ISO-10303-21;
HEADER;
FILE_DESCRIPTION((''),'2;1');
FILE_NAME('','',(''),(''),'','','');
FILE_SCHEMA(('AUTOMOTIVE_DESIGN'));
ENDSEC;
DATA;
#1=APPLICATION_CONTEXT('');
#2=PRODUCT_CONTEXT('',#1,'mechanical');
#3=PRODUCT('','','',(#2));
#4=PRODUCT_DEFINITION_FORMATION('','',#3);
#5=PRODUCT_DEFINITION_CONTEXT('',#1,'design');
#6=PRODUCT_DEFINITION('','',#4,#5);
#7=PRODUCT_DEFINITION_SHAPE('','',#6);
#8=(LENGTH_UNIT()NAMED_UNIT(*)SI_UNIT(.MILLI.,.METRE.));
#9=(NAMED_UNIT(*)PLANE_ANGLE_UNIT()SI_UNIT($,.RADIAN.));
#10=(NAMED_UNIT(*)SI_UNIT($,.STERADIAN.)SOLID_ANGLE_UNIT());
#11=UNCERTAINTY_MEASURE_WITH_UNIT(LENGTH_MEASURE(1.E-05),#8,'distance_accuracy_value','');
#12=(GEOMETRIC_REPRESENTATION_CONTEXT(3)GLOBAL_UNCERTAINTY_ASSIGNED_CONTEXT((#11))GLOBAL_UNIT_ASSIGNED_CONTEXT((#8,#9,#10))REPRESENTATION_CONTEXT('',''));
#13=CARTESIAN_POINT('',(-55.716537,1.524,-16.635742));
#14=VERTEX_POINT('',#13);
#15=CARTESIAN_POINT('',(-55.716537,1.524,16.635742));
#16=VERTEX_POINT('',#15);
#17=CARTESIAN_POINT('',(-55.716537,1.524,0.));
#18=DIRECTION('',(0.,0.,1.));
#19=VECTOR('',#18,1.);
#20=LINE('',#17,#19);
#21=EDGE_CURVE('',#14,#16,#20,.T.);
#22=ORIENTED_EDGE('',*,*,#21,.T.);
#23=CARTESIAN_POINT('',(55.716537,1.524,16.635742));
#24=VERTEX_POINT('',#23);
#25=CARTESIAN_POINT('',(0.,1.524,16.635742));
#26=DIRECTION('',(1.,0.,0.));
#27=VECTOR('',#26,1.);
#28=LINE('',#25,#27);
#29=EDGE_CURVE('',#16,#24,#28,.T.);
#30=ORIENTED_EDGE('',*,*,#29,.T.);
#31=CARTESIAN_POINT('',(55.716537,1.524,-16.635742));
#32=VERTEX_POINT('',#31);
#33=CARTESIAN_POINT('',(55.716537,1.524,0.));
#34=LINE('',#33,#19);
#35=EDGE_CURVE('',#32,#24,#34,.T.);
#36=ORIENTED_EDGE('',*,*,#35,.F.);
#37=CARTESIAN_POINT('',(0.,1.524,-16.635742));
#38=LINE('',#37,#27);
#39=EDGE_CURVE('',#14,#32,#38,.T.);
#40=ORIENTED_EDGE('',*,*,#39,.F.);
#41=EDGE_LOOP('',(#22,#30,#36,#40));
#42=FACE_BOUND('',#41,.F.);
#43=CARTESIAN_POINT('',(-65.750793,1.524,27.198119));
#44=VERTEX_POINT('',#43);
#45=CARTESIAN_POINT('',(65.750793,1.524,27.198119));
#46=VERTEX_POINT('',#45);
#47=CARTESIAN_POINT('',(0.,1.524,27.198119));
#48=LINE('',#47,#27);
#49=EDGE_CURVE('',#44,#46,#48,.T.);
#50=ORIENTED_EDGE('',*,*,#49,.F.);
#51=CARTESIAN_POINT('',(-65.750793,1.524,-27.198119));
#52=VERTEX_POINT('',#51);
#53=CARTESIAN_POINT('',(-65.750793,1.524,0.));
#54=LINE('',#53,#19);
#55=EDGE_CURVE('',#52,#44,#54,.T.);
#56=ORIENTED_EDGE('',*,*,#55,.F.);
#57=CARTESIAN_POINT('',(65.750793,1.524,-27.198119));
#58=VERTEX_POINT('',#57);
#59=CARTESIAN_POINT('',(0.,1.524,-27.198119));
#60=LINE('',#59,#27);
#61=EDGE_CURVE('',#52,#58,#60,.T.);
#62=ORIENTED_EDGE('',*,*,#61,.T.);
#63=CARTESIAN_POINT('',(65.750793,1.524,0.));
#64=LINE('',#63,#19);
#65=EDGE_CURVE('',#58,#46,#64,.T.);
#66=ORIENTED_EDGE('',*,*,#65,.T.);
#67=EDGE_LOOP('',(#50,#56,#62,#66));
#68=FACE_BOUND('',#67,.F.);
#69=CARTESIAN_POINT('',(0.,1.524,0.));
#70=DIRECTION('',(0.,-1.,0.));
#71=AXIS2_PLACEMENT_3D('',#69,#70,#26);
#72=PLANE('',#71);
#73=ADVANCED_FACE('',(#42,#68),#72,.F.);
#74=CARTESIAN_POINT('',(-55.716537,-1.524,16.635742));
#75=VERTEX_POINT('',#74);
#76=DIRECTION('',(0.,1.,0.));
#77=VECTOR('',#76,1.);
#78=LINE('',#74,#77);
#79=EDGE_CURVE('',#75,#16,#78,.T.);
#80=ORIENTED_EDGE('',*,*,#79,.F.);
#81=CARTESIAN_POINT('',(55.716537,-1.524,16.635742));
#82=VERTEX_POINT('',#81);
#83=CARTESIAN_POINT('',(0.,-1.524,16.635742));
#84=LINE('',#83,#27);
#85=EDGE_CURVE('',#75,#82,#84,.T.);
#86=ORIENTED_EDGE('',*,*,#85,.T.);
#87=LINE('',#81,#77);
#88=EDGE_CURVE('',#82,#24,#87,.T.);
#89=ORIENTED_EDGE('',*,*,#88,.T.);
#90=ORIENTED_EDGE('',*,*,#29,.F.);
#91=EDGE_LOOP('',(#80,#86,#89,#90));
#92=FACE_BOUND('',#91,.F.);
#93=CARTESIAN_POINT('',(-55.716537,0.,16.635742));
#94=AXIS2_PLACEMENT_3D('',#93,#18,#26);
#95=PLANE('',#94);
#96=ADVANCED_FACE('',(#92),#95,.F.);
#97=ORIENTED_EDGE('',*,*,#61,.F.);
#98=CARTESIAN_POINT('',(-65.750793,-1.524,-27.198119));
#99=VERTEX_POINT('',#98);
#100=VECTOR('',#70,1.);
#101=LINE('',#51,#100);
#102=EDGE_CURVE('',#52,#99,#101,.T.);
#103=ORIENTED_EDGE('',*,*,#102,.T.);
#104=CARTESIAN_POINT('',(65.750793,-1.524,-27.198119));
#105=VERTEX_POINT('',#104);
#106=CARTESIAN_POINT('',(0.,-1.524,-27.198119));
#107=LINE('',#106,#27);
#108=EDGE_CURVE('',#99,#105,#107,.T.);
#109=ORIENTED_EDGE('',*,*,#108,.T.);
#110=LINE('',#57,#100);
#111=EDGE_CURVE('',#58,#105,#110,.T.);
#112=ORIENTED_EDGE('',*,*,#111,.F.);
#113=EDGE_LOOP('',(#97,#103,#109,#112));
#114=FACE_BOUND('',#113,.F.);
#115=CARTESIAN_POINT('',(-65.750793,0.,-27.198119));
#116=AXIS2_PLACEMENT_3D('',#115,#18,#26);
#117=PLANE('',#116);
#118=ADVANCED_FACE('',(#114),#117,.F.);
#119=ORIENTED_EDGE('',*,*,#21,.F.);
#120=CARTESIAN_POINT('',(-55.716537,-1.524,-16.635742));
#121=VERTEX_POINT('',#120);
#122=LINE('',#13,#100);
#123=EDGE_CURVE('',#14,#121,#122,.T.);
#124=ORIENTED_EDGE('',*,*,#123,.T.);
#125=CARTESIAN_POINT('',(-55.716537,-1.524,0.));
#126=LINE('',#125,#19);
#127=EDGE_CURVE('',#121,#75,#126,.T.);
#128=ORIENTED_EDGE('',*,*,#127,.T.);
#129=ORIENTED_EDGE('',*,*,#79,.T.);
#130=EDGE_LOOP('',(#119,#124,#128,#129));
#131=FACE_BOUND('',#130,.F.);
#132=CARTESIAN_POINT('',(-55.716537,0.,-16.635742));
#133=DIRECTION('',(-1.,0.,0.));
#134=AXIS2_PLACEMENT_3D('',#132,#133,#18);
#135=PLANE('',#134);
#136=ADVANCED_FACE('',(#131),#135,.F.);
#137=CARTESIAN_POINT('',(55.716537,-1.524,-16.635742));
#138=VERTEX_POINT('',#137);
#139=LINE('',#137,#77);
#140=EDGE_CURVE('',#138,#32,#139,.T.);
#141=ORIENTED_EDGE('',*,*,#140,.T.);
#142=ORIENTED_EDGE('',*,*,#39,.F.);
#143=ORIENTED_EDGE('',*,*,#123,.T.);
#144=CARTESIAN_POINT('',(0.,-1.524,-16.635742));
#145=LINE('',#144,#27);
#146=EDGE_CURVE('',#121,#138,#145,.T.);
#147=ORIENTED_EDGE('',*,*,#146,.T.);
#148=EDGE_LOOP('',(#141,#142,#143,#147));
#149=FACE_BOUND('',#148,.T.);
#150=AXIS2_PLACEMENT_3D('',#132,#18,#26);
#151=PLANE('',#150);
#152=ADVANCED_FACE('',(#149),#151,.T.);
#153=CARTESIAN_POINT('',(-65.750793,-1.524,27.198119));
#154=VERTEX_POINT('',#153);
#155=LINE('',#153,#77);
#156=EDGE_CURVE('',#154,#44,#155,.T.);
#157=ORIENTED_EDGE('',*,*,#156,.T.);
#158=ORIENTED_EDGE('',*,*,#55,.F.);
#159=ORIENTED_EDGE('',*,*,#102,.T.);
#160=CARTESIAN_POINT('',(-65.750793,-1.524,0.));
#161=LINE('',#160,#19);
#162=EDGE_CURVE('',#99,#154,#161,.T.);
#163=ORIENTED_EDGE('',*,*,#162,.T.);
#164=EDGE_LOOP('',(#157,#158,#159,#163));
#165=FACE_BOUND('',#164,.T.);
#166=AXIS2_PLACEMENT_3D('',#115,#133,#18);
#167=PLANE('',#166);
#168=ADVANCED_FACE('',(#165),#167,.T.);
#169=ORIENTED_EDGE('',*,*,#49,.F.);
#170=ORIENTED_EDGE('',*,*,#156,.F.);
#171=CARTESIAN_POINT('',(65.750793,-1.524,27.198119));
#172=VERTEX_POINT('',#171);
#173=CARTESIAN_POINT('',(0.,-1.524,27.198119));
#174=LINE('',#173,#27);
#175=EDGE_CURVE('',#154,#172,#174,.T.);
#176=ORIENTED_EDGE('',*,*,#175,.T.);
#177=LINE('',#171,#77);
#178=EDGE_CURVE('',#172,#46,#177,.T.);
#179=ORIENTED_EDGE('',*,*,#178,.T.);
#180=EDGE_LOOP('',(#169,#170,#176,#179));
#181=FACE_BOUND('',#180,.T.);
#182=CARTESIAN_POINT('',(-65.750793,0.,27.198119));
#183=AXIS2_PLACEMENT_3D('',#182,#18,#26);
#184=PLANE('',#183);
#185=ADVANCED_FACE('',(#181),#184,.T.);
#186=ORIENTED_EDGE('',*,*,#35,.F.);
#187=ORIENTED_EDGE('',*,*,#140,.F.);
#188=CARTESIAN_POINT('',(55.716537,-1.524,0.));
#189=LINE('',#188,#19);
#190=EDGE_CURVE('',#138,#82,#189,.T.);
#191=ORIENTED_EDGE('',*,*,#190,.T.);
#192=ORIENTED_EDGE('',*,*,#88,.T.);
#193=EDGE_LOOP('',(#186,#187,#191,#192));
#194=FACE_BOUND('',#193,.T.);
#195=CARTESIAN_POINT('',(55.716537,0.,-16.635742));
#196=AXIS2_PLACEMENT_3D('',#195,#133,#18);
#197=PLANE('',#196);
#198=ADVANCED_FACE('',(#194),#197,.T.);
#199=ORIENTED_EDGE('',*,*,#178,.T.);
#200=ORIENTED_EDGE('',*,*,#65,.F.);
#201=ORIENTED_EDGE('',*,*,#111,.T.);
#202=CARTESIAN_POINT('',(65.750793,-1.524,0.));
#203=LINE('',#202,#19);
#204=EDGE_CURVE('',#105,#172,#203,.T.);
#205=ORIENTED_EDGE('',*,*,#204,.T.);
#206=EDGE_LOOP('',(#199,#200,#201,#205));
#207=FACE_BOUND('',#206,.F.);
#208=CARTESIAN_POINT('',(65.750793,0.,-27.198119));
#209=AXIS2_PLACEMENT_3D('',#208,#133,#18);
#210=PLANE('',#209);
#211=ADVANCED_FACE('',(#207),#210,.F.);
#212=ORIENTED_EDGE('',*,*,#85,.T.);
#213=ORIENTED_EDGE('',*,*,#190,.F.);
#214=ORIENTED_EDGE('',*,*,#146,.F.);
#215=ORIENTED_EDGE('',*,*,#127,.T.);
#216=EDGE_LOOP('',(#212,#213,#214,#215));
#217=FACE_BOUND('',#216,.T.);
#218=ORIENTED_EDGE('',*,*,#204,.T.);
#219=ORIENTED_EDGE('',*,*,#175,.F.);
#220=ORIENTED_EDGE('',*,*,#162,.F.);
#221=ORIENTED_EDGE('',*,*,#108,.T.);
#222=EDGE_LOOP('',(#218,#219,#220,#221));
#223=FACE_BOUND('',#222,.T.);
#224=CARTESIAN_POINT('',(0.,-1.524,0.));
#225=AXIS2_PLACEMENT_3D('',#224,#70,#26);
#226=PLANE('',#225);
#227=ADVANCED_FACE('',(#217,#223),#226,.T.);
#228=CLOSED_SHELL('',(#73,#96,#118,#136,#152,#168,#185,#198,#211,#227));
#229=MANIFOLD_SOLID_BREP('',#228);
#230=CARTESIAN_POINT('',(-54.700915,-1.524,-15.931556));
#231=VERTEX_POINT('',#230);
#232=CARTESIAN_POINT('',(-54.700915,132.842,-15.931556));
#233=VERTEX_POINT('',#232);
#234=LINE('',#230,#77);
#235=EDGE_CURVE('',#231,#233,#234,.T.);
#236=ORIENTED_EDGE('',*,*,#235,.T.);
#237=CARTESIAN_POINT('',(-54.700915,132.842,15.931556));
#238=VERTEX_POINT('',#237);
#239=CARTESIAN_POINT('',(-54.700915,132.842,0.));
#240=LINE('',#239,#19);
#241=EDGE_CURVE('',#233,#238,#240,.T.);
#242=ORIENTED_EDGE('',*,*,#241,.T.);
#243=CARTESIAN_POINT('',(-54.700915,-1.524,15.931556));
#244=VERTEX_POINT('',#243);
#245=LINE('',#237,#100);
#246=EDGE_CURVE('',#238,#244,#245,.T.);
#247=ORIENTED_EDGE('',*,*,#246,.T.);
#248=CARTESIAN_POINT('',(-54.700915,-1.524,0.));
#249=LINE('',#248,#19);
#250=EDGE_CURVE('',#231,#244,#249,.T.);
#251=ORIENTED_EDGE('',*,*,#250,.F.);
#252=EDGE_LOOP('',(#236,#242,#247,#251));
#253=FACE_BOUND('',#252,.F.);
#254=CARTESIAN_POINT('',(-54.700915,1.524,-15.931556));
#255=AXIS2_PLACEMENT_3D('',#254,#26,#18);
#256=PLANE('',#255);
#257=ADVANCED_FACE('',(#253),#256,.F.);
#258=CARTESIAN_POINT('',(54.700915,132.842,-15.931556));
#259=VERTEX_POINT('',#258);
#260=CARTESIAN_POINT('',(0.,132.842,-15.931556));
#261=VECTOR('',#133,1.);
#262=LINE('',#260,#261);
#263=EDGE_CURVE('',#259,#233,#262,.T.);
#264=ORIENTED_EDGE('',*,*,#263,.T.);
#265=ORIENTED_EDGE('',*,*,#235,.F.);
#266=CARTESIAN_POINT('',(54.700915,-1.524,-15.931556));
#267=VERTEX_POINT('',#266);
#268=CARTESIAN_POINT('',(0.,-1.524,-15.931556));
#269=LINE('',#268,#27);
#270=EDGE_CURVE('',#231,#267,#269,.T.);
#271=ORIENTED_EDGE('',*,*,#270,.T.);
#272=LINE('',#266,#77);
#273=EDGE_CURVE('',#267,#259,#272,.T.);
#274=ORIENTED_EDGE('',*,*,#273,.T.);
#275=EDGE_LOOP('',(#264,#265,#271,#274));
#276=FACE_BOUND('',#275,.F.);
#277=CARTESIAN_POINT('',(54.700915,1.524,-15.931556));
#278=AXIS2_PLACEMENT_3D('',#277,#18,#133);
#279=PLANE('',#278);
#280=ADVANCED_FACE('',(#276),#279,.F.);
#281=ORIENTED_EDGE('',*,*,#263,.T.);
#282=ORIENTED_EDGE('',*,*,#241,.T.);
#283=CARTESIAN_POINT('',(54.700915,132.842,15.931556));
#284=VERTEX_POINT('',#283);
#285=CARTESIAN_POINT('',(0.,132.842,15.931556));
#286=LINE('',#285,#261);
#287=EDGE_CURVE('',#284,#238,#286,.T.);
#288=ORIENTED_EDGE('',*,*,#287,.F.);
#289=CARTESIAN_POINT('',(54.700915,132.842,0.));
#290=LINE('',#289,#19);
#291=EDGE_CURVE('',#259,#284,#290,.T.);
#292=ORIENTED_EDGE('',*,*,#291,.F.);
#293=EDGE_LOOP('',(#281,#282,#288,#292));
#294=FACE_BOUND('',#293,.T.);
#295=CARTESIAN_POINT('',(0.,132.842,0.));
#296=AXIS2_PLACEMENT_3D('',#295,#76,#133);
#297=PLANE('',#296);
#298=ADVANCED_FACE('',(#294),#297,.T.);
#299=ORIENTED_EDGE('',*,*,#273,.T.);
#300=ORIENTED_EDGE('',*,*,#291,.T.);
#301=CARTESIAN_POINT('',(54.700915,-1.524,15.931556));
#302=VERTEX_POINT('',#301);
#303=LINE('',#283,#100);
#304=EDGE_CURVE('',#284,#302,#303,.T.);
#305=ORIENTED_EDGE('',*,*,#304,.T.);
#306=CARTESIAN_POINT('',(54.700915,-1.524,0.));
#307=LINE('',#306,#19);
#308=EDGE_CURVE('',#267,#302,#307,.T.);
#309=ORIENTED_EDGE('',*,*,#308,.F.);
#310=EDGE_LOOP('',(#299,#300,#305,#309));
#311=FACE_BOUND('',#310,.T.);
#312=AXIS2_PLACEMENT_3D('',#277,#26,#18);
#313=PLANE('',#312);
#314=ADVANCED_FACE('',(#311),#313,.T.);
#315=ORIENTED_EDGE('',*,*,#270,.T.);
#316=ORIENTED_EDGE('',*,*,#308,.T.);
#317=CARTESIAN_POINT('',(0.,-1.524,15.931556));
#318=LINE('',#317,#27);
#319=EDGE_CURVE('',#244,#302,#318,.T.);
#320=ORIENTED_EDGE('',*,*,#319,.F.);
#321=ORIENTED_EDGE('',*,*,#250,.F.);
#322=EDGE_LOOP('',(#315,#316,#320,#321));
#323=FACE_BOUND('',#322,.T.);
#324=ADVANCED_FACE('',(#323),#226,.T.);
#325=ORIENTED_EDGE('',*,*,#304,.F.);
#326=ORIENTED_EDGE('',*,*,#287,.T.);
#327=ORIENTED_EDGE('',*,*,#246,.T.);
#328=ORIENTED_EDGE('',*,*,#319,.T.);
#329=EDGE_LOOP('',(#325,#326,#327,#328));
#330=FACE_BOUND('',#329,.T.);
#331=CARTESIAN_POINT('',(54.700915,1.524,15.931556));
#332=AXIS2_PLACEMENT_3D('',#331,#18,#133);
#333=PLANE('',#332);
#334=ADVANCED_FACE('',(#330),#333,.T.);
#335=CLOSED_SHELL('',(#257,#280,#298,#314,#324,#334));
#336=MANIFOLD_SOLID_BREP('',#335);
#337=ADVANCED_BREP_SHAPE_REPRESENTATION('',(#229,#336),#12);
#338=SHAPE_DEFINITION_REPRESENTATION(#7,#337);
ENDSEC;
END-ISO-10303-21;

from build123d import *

# Parameters (mm, degrees)
F0_W     = 131.501586
F0_H     = 54.396238
F0_W_2   = 111.433074
F0_H_2   = 33.271484
F0_W_3   = 109.40183
F0_H_3   = 31.863112
F1_DEPTH = 1.524
F2_W     = 109.40183
F2_H     = 31.863112
F3_DEPTH = 131.318


with BuildPart() as f1:
    # F0 (on Front) → F1 (new body, symmetric)
    with BuildSketch(Plane.XZ):
        Rectangle(F0_W, F0_H)
        Rectangle(F0_W_2, F0_H_2, mode=Mode.SUBTRACT)
        Rectangle(F0_W_3, F0_H_3)
    extrude(amount=F1_DEPTH, both=True)

    # F2 (on face) → F3 (join)
    with BuildSketch(Plane(origin=(0, 1.524, 0), x_dir=(-1, 0, 0), z_dir=(0, 1, 0))):
        Rectangle(F2_W, F2_H)
    extrude(amount=F3_DEPTH)


solid = f1.part
